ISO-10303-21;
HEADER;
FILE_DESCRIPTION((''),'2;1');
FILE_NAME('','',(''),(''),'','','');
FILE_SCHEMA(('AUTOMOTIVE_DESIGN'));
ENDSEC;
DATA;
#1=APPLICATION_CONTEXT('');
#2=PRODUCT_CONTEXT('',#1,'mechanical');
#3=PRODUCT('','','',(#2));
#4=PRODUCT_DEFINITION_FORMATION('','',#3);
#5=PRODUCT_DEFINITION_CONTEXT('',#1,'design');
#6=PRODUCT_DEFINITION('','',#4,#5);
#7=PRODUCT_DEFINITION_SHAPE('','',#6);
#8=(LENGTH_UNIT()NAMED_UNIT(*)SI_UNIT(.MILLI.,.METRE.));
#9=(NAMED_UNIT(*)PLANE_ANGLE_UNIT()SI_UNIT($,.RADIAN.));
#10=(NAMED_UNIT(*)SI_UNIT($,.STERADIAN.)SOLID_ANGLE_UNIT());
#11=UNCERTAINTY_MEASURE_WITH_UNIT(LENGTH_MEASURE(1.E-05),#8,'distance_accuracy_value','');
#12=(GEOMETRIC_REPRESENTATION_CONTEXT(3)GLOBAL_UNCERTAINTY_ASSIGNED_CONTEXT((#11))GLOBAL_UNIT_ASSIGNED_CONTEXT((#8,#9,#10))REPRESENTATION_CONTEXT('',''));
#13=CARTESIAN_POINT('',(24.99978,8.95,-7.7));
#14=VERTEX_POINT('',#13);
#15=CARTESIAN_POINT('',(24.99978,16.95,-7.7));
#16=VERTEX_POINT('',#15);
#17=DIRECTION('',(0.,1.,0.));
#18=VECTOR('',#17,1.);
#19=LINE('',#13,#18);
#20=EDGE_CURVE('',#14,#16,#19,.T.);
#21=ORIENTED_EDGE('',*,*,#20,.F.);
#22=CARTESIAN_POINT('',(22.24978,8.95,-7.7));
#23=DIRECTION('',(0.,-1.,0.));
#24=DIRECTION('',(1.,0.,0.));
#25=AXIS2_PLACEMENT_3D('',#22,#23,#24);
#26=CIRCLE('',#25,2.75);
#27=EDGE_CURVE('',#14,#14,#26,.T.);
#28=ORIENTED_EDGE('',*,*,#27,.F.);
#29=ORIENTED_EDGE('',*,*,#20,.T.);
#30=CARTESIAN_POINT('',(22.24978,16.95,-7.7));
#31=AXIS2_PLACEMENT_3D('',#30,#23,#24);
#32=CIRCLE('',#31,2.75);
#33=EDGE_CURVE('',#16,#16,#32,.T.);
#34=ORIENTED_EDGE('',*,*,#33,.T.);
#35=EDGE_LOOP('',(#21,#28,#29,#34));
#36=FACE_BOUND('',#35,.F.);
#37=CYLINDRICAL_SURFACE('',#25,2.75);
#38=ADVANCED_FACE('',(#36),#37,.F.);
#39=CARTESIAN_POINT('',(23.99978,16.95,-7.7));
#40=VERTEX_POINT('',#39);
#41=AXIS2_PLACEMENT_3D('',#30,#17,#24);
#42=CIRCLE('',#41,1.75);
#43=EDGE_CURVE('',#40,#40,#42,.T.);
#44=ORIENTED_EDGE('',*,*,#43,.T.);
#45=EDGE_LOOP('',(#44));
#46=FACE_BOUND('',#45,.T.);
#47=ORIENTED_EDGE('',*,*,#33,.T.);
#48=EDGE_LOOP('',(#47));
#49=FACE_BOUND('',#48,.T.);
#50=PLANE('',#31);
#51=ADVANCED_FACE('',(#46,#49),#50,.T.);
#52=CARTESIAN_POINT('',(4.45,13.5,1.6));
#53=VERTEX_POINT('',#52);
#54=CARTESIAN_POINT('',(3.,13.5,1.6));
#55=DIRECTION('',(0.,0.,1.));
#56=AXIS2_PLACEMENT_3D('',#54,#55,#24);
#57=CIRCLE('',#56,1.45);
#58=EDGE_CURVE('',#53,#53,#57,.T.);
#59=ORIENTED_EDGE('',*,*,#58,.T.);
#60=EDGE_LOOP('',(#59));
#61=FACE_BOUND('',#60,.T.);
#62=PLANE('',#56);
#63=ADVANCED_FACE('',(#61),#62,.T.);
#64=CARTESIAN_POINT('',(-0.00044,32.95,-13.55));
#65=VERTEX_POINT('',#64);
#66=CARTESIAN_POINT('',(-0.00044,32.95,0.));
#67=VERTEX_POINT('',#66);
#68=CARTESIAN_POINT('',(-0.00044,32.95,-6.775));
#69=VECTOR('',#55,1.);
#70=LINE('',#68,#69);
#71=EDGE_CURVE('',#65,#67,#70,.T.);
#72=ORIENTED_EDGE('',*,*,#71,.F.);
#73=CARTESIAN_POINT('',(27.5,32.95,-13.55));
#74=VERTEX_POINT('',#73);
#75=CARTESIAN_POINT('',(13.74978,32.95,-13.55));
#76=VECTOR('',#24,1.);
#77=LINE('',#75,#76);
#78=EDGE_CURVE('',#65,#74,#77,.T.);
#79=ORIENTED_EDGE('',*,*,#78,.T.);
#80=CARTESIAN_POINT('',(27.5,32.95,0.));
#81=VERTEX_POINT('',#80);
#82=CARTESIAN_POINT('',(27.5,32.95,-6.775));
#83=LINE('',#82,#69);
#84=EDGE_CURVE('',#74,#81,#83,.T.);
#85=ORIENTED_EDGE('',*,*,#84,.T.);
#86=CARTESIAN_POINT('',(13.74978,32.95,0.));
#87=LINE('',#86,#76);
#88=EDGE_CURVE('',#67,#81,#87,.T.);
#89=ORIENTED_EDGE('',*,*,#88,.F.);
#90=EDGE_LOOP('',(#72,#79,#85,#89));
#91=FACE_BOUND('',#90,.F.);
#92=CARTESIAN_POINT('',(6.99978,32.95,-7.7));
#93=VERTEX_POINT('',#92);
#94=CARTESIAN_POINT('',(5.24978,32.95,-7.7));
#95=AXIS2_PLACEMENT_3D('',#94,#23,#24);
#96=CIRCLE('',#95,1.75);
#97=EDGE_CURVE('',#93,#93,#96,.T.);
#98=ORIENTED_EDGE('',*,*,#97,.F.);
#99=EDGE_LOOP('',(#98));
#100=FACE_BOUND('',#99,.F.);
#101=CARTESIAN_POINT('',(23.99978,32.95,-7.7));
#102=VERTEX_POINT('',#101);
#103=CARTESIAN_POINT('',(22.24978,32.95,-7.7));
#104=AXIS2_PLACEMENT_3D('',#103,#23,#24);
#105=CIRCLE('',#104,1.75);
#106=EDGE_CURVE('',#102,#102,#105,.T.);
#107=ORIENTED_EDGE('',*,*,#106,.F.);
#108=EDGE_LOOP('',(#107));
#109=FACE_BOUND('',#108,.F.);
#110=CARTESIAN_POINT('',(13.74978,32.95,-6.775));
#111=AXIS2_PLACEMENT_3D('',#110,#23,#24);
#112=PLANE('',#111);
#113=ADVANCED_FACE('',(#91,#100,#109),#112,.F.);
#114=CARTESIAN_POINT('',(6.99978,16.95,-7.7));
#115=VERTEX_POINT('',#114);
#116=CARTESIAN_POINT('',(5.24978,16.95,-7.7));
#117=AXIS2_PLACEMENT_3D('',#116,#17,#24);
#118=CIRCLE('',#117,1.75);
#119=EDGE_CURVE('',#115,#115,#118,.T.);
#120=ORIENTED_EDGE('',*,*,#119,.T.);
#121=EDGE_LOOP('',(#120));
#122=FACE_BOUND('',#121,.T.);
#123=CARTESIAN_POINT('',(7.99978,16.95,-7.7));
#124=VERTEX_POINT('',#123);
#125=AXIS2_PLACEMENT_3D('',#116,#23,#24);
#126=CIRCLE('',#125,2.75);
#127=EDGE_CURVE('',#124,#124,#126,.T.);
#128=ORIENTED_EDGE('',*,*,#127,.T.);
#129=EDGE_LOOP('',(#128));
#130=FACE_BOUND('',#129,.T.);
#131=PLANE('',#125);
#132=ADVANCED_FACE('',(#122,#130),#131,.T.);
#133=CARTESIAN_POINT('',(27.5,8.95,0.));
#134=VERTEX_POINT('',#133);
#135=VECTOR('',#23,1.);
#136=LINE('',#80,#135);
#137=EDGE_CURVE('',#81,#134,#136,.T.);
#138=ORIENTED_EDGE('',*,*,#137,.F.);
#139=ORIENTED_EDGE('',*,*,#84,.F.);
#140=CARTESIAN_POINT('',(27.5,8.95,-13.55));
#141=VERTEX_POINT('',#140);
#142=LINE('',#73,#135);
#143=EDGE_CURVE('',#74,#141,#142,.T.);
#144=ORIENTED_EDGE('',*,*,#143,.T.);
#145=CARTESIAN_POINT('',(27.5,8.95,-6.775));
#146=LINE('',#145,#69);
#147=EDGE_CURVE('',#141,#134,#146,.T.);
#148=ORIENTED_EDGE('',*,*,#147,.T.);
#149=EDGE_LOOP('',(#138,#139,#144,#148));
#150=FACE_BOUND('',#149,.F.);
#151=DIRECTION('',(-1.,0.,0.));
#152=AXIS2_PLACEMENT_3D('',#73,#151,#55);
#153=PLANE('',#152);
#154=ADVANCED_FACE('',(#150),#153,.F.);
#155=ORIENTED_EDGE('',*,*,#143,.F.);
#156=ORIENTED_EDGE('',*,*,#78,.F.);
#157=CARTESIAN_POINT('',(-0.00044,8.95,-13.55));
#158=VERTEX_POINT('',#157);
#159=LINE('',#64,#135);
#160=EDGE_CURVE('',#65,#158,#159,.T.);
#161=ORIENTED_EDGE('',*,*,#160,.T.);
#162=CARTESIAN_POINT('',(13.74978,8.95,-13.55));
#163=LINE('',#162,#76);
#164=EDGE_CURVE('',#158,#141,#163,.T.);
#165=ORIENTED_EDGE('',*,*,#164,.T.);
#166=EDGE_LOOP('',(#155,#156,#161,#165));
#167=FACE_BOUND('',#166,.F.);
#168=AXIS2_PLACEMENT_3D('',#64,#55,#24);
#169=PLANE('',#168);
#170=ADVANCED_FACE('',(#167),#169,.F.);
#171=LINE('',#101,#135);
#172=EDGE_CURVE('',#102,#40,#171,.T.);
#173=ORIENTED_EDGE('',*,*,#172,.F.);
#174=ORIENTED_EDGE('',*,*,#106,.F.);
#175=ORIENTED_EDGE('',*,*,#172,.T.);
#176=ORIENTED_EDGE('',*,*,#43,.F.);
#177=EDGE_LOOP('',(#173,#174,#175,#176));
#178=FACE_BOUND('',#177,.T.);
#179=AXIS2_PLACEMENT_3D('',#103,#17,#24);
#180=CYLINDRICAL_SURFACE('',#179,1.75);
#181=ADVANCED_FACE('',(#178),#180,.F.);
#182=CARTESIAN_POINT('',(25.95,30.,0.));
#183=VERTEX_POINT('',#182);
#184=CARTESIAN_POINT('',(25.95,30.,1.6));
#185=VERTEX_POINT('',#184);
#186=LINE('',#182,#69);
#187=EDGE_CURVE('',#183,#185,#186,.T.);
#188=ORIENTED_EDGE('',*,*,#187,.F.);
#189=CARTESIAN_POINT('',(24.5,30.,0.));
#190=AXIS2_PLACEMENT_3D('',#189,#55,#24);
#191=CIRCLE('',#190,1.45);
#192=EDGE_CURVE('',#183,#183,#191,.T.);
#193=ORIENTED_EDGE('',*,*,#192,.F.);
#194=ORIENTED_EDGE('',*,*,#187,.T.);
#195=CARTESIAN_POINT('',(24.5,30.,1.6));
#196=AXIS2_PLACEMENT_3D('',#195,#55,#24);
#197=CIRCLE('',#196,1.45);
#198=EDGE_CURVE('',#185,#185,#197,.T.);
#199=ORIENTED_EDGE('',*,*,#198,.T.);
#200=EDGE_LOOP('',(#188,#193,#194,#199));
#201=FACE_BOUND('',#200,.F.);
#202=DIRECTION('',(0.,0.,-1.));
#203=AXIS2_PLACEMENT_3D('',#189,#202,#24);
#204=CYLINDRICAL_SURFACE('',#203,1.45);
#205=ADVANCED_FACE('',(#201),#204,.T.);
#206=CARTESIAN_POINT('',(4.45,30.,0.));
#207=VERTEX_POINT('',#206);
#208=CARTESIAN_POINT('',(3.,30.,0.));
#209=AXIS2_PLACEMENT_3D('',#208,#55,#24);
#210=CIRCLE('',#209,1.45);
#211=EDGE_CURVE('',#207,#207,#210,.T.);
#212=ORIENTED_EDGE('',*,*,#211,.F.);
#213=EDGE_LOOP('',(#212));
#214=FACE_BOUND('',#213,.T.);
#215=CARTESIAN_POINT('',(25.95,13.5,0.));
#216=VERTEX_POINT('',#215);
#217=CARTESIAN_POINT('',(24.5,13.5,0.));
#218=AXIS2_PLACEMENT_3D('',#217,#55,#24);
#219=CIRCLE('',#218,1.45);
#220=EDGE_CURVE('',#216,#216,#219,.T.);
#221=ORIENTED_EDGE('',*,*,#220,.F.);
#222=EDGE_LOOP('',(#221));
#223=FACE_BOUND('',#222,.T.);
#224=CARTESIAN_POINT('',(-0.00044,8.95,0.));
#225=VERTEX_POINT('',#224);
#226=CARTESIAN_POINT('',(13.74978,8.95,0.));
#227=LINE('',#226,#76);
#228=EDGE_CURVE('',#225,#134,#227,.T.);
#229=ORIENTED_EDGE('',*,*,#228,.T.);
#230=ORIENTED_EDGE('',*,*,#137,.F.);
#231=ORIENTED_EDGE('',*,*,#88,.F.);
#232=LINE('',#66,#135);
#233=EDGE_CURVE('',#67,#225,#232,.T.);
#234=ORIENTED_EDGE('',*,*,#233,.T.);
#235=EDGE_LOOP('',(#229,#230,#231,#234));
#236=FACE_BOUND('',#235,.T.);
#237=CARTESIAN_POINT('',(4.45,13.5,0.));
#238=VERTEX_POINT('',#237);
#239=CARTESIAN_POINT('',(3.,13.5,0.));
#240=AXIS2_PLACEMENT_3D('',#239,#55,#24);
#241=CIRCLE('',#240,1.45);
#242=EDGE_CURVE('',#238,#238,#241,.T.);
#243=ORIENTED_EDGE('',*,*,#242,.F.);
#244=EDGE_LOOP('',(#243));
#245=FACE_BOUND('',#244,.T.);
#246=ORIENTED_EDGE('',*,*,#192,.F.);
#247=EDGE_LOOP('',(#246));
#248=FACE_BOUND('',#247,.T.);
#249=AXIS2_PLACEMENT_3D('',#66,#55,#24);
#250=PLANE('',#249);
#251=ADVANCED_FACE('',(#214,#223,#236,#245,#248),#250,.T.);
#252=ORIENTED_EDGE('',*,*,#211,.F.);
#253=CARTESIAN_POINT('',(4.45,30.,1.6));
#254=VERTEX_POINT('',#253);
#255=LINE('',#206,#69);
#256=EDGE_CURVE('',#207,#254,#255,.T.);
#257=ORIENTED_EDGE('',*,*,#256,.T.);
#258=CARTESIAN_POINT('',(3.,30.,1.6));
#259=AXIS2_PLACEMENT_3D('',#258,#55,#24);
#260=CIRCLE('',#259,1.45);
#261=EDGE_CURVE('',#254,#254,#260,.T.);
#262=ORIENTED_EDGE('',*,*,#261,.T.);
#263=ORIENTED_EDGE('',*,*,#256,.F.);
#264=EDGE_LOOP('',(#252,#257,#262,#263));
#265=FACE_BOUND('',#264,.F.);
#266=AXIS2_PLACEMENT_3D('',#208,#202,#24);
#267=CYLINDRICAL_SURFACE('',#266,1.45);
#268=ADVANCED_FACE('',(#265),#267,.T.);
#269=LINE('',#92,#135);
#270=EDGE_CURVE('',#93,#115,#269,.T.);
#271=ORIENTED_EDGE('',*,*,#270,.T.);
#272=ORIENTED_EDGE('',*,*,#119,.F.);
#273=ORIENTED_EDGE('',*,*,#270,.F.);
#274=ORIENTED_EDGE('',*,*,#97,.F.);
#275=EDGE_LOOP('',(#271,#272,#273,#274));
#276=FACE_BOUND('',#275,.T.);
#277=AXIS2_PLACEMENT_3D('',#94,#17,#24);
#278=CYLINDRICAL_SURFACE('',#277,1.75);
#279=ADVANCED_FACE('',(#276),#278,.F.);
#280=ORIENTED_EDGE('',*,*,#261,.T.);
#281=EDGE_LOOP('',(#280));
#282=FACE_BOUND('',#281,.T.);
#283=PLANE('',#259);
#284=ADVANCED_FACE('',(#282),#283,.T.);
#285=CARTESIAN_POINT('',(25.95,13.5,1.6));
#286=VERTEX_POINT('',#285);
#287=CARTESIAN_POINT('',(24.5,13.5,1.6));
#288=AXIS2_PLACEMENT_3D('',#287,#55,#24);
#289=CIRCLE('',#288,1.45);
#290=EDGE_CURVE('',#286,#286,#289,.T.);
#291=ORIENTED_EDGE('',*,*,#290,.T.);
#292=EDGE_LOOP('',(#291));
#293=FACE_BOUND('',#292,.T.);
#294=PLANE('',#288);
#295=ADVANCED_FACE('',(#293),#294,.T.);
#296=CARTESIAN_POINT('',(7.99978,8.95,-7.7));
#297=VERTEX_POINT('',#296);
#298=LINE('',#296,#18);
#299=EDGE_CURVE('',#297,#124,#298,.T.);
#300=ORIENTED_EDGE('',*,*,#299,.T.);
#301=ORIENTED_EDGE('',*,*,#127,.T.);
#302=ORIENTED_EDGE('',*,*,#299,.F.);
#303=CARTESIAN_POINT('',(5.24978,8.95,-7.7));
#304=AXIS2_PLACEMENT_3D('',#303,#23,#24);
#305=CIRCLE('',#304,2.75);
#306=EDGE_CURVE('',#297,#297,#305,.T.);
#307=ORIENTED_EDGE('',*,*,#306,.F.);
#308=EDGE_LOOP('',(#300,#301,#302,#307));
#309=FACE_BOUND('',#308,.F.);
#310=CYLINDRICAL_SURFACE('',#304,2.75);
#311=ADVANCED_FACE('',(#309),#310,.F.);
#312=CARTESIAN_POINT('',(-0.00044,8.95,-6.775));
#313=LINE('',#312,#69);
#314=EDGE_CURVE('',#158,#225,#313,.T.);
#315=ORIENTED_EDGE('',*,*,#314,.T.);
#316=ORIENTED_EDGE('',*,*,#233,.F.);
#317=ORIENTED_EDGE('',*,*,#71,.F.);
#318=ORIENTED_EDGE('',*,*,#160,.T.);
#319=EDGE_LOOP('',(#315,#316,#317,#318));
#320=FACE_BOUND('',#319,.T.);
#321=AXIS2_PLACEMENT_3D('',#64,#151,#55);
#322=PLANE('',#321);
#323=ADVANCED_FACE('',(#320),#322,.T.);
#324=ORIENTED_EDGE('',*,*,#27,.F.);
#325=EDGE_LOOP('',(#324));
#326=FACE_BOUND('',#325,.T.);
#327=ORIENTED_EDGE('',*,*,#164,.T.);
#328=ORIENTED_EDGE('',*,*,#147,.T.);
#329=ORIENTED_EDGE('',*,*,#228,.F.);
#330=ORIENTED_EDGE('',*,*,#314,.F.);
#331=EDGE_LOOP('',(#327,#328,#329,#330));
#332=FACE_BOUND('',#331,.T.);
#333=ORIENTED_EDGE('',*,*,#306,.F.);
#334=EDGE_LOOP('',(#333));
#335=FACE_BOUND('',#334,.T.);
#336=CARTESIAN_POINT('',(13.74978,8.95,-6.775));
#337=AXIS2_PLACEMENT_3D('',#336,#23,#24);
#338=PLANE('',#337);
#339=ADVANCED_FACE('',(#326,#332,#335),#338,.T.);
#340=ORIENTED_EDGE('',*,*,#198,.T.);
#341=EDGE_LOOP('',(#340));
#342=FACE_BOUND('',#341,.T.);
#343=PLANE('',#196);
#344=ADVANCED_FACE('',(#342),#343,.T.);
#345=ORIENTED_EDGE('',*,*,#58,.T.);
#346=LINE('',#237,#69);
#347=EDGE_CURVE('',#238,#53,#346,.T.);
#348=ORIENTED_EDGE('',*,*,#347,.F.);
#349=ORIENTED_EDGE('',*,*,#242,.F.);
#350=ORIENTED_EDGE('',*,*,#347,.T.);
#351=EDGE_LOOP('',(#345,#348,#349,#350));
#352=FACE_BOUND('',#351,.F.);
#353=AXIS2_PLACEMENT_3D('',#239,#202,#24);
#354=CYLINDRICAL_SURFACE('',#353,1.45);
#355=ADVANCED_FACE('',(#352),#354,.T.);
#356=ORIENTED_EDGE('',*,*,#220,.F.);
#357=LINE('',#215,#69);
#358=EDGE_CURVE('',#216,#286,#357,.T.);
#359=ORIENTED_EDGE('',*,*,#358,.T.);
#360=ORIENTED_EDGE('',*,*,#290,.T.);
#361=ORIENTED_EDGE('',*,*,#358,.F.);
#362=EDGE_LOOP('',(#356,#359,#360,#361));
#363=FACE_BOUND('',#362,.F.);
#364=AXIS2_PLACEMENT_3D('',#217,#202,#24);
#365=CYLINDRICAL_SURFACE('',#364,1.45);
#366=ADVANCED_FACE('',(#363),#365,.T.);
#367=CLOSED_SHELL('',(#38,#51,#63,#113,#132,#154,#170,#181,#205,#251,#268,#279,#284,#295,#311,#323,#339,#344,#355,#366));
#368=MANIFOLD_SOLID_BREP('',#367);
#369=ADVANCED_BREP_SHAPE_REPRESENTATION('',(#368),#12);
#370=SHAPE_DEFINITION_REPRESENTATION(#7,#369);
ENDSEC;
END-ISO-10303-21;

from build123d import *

# Parameters (mm, degrees)
SKETCH015_W     = 27.500439
SKETCH015_H     = 13.55
SKETCH015_R     = 1.75
PAD007_DEPTH    = 24
SKETCH016_R     = 2.75
POCKET008_DEPTH = 8
SKETCH017_R     = 1.45
PAD008_DEPTH    = 1.6


with BuildPart() as part:
    # Sketch015 (on Face27 of Binder004) → Pad007 (new body)
    with BuildSketch(Plane.XZ.offset(-32.95)):
        with Locations((13.74978, -6.775)):
            Rectangle(SKETCH015_W, SKETCH015_H)
        with Locations((5.24978, -7.7)):
            Circle(SKETCH015_R, mode=Mode.SUBTRACT)
        with Locations((22.24978, -7.7)):
            Circle(SKETCH015_R, mode=Mode.SUBTRACT)
    extrude(amount=PAD007_DEPTH)

    # Sketch016 (on Face8 of Pad007) → Pocket008 (cut)
    with BuildSketch(Plane.XZ.offset(-8.95)):
        with Locations((5.24978, -7.7)):
            Circle(SKETCH016_R)
        with Locations((22.24978, -7.7)):
            Circle(SKETCH016_R)
    extrude(amount=-POCKET008_DEPTH, mode=Mode.SUBTRACT)

    # Sketch017 (on Face6 of Pocket008) → Pad008 (join)
    with BuildSketch(Plane.XY):
        with Locations((3, 13.5)):
            Circle(SKETCH017_R)
        with Locations((24.5, 13.5)):
            Circle(SKETCH017_R)
        with Locations((24.5, 30)):
            Circle(SKETCH017_R)
        with Locations((3, 30)):
            Circle(SKETCH017_R)
    extrude(amount=PAD008_DEPTH)


solid = part.part
